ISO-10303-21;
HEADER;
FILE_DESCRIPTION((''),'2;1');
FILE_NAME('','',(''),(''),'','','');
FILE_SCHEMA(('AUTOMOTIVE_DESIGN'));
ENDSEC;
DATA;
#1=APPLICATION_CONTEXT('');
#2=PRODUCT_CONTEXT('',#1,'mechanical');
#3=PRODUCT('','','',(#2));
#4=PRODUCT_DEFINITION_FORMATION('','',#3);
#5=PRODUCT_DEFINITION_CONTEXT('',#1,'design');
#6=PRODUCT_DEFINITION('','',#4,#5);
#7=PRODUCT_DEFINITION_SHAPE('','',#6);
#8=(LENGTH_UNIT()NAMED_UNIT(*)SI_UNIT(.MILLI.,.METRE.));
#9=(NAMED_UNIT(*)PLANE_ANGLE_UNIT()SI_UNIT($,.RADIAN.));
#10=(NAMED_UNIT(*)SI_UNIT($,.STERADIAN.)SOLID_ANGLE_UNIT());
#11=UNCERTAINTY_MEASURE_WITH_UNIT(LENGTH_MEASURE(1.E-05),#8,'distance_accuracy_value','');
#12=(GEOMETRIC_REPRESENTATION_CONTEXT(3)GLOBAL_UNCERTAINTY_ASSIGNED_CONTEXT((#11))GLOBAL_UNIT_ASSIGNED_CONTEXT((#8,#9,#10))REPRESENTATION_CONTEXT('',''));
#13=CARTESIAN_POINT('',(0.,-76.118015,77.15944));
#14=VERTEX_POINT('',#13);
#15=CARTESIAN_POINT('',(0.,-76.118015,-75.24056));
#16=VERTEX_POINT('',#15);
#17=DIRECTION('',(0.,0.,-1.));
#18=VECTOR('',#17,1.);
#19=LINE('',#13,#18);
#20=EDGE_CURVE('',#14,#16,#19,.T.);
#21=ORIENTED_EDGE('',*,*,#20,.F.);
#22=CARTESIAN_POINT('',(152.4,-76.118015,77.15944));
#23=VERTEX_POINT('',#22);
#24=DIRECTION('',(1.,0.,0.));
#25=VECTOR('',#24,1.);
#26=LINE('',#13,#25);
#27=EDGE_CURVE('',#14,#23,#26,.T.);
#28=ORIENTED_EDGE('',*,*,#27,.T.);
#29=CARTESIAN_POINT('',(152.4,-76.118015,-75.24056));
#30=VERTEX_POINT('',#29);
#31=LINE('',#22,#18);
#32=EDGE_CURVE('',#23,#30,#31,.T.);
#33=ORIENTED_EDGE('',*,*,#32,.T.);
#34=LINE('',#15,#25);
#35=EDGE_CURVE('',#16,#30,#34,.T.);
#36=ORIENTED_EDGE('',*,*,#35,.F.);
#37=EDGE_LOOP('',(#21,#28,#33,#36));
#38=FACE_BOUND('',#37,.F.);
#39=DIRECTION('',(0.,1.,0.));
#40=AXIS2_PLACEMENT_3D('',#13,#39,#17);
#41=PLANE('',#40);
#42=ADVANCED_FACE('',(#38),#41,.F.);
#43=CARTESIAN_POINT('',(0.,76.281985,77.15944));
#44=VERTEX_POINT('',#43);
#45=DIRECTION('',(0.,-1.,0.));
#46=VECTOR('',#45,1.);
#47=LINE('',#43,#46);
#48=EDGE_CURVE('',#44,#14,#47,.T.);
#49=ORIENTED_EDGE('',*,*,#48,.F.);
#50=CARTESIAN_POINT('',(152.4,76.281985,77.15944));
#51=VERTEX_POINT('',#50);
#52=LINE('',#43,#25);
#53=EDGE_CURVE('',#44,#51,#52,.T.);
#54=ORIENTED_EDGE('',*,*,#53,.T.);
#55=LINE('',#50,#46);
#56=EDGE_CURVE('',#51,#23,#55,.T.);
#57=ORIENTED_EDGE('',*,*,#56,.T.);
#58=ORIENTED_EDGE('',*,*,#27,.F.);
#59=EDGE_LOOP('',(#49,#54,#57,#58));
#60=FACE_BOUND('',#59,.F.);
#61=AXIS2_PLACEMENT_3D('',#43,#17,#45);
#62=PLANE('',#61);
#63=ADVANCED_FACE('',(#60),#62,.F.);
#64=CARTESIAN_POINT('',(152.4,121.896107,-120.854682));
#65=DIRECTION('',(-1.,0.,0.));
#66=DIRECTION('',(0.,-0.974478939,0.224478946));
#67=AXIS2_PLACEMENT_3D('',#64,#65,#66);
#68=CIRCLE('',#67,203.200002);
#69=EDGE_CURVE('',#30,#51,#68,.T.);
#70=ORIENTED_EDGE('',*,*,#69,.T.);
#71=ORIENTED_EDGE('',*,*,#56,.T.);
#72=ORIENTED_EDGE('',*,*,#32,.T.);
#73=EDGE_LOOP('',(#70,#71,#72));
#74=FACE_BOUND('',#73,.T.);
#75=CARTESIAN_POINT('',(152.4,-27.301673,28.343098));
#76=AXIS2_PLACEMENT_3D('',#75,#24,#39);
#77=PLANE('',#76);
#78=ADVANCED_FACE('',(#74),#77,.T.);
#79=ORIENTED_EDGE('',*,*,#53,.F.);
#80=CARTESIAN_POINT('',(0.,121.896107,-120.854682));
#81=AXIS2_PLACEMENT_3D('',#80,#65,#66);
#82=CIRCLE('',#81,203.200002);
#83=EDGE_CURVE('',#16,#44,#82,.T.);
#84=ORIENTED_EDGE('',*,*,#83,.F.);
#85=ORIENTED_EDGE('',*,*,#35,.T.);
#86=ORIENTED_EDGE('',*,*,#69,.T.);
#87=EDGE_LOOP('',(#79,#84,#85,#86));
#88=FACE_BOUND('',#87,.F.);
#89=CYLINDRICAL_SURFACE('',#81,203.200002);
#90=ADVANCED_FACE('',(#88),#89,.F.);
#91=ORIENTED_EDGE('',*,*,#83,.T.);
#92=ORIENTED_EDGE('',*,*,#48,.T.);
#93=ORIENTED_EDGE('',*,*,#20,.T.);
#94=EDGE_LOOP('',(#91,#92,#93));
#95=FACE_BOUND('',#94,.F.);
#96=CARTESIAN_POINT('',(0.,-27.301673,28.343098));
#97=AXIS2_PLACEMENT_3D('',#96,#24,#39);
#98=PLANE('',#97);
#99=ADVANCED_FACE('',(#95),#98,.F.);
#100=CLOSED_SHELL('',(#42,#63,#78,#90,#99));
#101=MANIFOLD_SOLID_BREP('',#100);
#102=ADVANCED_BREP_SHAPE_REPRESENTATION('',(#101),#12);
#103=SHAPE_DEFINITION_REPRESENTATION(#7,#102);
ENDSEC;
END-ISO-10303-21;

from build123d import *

# Parameters (mm, degrees)
F1_DEPTH = 152.4


with BuildPart() as f1:
    # F0 (on Right) → F1 (new body)
    with BuildSketch(Plane.YZ):
        with BuildLine():
            ThreePointArc((-76.118015, -75.24056), (-21.787992, 22.829417), (76.281985, 77.15944))
            Line((76.281985, 77.15944), (-76.118015, 77.15944))
            Line((-76.118015, 77.15944), (-76.118015, -75.24056))
        make_face()
    extrude(amount=F1_DEPTH)


solid = f1.part
